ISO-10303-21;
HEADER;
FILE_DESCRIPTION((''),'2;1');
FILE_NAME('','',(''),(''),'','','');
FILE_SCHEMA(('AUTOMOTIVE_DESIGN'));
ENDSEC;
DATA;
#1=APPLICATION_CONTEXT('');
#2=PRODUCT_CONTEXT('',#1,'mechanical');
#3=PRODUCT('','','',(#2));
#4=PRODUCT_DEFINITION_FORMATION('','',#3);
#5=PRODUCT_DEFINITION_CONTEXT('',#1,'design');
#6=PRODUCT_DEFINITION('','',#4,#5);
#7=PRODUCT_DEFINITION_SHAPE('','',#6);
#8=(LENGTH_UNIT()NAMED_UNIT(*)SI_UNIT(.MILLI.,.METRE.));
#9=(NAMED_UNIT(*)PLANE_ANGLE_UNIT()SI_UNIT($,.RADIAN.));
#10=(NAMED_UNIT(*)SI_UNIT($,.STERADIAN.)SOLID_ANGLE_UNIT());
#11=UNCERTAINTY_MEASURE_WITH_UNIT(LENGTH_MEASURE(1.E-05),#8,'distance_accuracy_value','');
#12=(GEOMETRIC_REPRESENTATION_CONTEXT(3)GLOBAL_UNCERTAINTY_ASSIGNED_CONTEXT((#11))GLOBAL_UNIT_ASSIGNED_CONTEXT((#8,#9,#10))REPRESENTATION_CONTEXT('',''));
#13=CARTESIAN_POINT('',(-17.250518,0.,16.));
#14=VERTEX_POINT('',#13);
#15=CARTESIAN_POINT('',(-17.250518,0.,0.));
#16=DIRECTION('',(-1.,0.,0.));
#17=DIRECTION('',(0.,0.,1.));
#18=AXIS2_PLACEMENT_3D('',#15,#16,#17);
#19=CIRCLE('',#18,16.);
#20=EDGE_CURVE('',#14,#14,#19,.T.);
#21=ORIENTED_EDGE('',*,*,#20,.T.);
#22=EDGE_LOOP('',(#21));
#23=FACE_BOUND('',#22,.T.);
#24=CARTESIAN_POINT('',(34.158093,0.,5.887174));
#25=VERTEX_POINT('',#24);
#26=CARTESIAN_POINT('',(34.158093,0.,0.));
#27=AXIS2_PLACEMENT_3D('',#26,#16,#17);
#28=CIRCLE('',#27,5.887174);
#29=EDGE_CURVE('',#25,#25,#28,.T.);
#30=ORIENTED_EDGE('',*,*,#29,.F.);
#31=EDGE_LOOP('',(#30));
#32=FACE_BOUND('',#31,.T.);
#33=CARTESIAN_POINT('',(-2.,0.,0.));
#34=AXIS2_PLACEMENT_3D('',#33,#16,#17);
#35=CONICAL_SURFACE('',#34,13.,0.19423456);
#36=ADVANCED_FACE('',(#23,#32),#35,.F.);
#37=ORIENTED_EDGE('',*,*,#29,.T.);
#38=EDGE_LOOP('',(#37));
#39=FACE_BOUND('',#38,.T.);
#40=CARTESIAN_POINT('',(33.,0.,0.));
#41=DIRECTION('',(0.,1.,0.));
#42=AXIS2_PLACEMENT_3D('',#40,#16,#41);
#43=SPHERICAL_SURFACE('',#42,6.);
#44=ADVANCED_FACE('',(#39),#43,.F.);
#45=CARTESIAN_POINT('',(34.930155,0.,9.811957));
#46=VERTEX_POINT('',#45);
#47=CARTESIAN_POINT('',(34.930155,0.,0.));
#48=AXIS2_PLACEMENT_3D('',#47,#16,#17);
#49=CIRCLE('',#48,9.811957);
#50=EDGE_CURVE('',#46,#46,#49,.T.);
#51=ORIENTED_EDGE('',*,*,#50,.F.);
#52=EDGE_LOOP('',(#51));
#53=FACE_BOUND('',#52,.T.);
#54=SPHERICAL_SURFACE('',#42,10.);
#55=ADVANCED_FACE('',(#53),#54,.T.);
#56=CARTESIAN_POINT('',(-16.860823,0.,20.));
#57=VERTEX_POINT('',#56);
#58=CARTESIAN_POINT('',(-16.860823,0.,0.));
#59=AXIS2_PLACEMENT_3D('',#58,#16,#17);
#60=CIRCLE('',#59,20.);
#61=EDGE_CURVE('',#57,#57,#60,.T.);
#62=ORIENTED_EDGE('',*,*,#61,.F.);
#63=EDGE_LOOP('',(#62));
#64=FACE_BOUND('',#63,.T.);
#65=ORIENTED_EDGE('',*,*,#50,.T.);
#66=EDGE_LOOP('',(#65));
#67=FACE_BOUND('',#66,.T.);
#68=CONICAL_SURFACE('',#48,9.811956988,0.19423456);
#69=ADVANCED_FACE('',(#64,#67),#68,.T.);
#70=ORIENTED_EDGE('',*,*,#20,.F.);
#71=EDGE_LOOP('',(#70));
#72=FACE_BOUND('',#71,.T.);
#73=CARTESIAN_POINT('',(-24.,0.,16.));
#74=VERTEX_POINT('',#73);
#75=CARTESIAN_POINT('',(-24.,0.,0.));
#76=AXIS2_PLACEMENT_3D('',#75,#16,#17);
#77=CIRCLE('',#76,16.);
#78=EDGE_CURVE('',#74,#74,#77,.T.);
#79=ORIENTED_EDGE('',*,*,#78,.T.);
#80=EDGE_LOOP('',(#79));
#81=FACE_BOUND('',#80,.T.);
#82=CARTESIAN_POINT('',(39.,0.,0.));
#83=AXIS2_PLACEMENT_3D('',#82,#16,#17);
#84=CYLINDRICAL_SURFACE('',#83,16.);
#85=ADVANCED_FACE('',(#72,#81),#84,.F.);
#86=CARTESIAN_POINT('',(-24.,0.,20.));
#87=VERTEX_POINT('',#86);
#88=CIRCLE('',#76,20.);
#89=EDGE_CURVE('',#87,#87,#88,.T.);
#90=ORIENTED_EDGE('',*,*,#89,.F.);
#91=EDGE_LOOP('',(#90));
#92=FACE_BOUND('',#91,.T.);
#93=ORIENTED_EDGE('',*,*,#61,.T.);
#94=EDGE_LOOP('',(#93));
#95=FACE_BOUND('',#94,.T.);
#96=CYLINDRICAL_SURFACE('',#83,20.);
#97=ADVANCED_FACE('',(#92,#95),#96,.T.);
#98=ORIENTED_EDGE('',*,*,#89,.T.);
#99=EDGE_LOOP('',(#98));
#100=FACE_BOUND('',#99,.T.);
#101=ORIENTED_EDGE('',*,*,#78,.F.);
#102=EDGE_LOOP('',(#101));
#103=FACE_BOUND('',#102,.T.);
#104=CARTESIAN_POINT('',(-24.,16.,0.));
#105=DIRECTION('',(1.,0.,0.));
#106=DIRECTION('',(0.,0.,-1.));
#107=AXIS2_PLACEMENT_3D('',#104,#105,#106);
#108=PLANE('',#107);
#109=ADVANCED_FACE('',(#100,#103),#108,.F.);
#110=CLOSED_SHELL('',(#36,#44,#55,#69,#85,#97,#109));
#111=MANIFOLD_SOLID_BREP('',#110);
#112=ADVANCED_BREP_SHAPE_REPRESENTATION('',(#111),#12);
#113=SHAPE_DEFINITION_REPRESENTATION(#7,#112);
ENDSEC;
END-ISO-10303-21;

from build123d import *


with BuildPart() as part:
    # Sketch1 → Revolve1 (revolve)
    with BuildSketch(Plane.XY, mode=Mode.PRIVATE) as revolve1_sk:
        with BuildLine():
            Line((-2, 13), (34.158093272, 5.887174193))
            ThreePointArc((34.158093272, 5.887174193), (37.634034939, 3.811262282), (39, 0))
            Line((39, 0), (43, 0))
            ThreePointArc((43, 0), (40.723391565, 6.352103804), (34.930155453, 9.811956988))
            Line((34.930155453, 9.811956988), (-16.860823192, 20))
            Line((-16.860823192, 20), (-24, 20))
            Line((-24, 20), (-24, 16))
            Line((-24, 16), (-17.250518254, 16))
            Line((-17.250518254, 16), (-2, 13))
        make_face()
    revolve(revolve1_sk.sketch.rotate(Axis((39, 0, 0), (1, 0, 0)), 90), axis=Axis((39, 0, 0), (1, 0, 0)))


solid = part.part
